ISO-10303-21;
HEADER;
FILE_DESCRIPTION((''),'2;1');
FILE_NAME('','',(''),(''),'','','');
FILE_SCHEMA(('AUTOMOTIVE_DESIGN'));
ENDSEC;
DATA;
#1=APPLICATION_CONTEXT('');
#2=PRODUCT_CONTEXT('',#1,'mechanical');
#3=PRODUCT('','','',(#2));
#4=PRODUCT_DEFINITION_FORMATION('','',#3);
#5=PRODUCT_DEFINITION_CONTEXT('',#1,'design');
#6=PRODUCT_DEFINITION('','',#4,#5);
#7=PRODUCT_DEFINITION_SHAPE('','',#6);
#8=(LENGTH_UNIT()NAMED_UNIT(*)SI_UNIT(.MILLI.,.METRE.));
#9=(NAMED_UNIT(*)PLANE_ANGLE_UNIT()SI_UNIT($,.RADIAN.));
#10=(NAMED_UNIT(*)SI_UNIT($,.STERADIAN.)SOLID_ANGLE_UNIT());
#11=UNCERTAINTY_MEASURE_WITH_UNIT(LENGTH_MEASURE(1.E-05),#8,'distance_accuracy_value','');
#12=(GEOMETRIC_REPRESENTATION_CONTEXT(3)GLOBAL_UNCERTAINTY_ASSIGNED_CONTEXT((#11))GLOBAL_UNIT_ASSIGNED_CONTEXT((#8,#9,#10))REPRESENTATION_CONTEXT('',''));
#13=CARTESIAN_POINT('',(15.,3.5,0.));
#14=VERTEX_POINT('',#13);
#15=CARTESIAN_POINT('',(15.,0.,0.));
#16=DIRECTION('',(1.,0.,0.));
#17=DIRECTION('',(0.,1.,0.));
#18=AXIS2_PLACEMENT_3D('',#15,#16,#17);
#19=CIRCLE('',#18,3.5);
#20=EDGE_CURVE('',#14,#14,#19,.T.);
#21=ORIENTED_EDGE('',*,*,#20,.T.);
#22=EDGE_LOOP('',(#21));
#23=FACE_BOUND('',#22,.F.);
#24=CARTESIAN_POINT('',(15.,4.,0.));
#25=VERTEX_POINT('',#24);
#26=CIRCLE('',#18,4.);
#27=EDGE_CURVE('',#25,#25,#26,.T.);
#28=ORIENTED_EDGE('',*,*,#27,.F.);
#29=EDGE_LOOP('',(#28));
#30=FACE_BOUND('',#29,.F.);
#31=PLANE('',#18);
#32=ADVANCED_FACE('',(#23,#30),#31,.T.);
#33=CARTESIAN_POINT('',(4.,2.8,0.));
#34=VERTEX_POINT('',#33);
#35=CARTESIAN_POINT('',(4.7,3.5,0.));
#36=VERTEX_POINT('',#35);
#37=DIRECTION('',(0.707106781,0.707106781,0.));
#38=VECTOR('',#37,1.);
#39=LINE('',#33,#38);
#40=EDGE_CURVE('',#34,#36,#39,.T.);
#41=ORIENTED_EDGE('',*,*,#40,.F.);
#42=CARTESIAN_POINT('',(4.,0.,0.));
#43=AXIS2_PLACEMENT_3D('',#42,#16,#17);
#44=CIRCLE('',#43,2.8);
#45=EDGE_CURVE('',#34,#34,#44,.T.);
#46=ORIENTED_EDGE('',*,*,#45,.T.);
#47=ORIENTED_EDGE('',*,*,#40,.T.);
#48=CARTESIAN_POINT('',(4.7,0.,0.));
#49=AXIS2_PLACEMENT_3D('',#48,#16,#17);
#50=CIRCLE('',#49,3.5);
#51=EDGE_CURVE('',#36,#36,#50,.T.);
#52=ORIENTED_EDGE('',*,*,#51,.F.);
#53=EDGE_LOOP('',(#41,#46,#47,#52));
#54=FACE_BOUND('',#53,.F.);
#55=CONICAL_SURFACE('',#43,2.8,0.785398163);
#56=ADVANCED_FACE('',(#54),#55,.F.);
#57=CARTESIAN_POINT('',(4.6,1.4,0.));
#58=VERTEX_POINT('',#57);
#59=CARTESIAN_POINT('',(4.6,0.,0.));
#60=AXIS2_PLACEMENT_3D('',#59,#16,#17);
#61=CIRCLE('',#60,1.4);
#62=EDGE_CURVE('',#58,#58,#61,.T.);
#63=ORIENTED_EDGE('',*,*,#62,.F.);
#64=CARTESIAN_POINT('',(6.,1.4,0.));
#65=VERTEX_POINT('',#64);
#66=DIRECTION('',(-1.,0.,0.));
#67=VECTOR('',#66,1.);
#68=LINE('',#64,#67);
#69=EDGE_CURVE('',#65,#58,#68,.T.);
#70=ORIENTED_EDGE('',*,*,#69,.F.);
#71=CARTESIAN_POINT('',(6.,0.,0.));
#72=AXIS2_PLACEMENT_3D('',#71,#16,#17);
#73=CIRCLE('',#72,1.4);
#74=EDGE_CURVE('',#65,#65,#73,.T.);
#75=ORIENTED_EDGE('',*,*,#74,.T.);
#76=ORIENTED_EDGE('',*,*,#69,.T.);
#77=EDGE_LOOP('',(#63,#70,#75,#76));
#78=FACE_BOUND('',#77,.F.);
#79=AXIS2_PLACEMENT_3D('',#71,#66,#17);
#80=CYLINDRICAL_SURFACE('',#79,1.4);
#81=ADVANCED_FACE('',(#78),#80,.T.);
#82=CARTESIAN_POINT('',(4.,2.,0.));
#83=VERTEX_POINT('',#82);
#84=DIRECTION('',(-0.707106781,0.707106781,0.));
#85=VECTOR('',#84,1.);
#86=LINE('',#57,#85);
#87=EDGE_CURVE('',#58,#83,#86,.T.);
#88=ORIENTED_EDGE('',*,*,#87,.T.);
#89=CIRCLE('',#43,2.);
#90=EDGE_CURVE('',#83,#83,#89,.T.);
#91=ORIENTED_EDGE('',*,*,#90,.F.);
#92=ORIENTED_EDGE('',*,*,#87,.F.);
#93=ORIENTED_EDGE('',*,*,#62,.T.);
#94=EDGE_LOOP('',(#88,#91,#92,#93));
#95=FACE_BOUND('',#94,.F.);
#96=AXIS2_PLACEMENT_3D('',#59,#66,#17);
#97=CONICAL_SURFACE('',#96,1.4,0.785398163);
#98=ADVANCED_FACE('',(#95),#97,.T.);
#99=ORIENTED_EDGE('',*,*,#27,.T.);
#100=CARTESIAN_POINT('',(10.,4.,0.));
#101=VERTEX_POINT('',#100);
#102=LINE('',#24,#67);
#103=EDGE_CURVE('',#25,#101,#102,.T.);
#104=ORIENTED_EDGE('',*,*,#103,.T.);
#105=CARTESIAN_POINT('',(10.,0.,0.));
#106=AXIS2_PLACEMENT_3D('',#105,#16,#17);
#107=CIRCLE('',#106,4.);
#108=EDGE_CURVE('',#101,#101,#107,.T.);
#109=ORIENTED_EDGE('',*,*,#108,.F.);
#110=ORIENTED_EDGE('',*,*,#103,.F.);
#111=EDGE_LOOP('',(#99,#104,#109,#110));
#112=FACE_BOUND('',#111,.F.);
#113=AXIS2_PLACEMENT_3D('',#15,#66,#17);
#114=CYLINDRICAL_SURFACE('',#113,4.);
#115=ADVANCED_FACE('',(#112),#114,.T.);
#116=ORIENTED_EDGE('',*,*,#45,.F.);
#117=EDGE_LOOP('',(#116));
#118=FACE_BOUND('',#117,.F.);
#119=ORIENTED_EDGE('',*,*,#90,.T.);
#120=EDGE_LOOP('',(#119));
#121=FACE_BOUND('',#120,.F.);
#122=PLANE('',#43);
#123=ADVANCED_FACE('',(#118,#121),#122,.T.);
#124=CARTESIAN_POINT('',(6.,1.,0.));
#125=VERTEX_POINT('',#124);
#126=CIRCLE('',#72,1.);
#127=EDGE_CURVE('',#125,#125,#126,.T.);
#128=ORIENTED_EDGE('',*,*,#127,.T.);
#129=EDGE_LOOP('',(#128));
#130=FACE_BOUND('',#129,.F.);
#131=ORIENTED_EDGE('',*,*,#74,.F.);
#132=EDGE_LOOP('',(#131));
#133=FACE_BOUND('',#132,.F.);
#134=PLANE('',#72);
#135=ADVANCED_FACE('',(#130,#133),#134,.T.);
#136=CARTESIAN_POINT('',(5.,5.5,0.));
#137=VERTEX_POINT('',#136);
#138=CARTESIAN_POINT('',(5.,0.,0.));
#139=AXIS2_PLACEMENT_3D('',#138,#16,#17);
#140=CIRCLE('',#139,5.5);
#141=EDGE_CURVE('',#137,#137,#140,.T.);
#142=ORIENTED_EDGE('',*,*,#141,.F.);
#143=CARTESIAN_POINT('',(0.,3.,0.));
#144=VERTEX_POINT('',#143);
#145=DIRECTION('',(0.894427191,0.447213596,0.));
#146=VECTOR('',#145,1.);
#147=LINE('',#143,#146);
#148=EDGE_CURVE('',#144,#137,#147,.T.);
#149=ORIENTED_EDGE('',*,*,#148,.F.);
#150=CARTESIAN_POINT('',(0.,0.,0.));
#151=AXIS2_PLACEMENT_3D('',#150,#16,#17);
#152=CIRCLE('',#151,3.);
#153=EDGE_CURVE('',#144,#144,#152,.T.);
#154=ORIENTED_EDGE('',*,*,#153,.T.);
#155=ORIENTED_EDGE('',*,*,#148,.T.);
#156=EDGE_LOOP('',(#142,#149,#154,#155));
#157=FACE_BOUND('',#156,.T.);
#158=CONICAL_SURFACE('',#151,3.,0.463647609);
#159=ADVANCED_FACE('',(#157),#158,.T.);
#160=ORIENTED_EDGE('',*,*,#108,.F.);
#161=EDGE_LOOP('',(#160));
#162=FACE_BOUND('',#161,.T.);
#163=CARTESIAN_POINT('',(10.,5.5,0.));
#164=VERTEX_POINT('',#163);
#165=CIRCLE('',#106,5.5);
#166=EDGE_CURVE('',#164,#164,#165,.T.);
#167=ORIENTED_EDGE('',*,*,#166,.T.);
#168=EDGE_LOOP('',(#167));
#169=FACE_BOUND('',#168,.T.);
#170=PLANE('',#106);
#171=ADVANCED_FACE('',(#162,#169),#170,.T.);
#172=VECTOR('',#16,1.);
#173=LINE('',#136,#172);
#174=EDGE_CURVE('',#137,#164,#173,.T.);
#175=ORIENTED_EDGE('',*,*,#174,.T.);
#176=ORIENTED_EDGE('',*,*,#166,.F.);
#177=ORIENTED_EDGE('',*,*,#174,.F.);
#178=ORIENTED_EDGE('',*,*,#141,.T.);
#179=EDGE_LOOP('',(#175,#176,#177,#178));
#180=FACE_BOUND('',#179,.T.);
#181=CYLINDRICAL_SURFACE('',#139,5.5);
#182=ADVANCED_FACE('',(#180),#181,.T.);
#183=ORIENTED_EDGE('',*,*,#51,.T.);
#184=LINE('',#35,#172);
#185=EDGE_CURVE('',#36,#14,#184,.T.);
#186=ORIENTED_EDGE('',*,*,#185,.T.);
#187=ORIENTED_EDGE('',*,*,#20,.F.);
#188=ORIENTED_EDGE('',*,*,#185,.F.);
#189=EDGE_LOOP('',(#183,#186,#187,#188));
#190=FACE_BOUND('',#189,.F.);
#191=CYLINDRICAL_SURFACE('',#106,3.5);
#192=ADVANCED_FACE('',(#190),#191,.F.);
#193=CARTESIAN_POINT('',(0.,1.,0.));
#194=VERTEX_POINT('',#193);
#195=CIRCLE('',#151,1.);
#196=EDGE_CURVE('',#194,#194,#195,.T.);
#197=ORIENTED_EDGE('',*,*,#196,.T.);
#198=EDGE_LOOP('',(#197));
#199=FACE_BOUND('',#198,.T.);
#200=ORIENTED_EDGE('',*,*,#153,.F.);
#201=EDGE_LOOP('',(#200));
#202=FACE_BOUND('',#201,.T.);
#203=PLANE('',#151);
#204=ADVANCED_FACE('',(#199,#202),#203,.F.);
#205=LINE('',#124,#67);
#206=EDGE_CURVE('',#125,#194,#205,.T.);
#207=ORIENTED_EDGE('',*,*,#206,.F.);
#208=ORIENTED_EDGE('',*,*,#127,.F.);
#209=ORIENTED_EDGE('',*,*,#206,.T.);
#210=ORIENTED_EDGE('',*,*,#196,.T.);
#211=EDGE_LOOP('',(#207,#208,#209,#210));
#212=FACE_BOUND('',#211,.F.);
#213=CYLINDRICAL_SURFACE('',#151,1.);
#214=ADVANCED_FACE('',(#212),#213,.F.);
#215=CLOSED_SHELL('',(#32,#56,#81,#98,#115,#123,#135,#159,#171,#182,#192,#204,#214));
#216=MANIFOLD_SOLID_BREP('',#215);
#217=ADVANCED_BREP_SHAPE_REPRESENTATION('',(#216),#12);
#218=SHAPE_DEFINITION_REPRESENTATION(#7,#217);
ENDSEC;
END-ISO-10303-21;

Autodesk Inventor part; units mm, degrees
ref_plane "YZ Plane" through (0, 0, 0) normal (1, 0, 0) x (0, 1, 0)
ref_plane "XZ Plane" through (0, 0, 0) normal (0, 1, 0) x (-1, 0, 0)
ref_plane "XY Plane" through (0, 0, 0) normal (0, 0, 1) x (1, 0, 0)
sketch "Эскиз2" plane through (0, 0, 0) normal (0, 0, 1) x (1, 0, 0)
  line L0 (0, 1) -> (0, 3)
  line L1 (0, 3) -> (5, 5.5)
  line L2 (5, 5.5) -> (10, 5.5)
  line L3 (10, 5.5) -> (10, 3.5)
  line L4 (-3, 0) -> (18, 0) construction
  line L5 (0, 1) -> (4, 1)
  line L6 (4, 1) -> (4, 2.8)
  line L7 (4, 2.8) -> (4.7, 3.5)
  line L8 (4.7, 3.5) -> (10, 3.5)
  line L9 (4, 1) -> (6, 1)
  line L10 (6, 1) -> (6, 1.4)
  line L11 (6, 1.4) -> (4, 1.4)
  line L12 (10, 3.5) -> (15, 3.5)
  line L13 (15, 3.5) -> (15, 4)
  line L14 (15, 4) -> (10, 4)
  point P0 (0, 0)
  point P1 (3.6, 3)
  point P2 (10, 4)
  dimension "d6" = 2
  dimension "d7" = 5
  dimension "d10" = 4
  dimension "d12" = 2.5
  dimension "d13" = 1
  dimension "d14" = 1.8
  dimension "d15" = 10
  dimension "d27" = 0.4
  dimension "d28" = 2
  dimension "d34" = 135
  dimension "d35" = 0.5
  dimension "d36" = 5
  dimension "d37" = 2
revolve "Вращение1" add sketch "Эскиз2" angle 360 about axis through (-10, 0, 0) along (1, 0, 0)
chamfer "Фаска2" distance 0.6 angle 45 1 edges at (4, -1.4, 0)
properties part number "Сопло для воды"
